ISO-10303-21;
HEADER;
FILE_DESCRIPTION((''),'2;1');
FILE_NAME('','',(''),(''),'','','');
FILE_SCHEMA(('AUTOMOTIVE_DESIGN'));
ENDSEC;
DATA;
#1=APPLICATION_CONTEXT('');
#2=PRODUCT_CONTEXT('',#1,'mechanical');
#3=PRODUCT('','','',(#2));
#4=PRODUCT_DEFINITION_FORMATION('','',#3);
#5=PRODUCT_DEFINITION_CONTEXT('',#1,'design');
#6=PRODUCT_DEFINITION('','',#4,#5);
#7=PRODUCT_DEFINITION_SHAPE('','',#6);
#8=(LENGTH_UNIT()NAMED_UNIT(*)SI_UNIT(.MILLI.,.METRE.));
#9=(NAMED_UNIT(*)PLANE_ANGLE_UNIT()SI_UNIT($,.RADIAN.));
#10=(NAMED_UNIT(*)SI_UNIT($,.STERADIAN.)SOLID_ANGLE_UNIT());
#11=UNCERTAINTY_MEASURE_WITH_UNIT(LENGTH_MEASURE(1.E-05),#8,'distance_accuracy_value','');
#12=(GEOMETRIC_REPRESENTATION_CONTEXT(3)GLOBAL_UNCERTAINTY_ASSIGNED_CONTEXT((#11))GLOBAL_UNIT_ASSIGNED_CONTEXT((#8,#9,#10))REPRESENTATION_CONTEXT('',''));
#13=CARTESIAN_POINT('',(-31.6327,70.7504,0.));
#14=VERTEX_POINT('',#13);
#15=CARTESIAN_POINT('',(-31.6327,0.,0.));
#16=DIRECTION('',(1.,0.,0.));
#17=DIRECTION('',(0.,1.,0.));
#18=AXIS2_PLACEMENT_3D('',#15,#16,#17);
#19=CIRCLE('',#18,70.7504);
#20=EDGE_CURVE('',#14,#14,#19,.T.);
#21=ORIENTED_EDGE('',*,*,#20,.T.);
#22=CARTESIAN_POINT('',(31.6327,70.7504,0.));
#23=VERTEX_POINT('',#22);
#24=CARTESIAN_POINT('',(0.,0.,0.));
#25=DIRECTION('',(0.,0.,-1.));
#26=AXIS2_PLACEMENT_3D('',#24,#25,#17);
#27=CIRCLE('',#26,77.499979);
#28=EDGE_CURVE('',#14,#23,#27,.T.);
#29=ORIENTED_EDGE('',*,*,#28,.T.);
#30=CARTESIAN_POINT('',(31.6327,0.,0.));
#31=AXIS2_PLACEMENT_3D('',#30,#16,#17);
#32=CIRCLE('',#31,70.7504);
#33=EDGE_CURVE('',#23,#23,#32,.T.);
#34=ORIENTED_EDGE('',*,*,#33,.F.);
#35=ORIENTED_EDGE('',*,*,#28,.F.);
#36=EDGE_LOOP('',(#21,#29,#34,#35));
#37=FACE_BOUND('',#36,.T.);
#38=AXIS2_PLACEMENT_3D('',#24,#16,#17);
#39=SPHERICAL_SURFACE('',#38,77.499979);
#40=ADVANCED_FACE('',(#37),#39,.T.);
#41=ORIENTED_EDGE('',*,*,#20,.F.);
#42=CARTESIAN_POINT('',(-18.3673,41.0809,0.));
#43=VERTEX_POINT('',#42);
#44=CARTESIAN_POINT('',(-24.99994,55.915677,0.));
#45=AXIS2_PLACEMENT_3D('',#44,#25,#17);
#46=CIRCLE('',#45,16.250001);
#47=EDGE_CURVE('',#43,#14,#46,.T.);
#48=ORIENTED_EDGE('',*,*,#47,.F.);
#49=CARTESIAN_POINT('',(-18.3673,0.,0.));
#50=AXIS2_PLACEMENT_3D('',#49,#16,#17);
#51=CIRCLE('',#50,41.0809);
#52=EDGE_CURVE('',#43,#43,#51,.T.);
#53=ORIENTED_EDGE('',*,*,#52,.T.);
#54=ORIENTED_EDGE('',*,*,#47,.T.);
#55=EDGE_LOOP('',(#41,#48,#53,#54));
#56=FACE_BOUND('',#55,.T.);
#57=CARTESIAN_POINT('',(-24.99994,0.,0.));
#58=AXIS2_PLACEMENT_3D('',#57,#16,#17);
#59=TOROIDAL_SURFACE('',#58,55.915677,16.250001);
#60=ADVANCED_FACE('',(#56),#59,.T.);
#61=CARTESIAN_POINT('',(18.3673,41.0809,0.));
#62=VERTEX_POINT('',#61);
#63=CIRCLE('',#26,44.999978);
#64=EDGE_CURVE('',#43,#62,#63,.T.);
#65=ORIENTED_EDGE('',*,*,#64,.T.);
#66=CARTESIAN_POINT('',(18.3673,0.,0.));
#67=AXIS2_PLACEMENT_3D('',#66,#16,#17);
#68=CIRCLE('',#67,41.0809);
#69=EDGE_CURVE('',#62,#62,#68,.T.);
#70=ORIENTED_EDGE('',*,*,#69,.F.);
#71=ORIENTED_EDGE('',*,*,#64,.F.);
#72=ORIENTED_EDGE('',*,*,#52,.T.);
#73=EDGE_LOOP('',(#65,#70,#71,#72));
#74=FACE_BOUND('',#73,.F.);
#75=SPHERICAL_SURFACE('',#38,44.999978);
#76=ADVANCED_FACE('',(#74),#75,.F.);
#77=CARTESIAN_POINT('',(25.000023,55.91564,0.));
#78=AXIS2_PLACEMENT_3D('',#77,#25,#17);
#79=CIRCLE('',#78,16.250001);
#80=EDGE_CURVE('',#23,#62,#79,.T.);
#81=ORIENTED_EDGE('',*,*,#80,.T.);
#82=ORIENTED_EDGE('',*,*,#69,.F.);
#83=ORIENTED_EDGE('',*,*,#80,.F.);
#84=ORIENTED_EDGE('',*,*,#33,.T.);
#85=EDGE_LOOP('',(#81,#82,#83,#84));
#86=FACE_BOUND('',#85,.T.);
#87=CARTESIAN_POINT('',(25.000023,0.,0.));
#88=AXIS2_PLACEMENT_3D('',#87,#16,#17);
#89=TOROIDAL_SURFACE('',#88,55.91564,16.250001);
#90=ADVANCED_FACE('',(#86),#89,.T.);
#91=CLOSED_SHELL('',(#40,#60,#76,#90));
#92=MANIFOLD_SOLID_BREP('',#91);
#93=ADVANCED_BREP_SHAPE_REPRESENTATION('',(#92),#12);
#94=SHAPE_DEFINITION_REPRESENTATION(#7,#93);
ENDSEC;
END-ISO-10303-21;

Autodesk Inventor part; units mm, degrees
ref_plane "YZ Plane" through (0, 0, 0) normal (1, 0, 0) x (0, 1, 0)
ref_plane "XZ Plane" through (0, 0, 0) normal (0, 1, 0) x (-1, 0, 0)
ref_plane "XY Plane" through (0, 0, 0) normal (0, 0, 1) x (1, 0, 0)
sketch "Эскиз1" plane through (0, 0, 0) normal (1, 0, 0) x (0, 1, 0)
  circle A0 centre (0, 0) radius 75
  dimension "d0" = 150
sketch "Эскиз2" plane through (0, 0, 0) normal (0, 0, 1) x (1, 0, 0)
  arc A0 (31.6327, 70.7504) -> (-31.6327, 70.7504) centre (0, 0) ccw
  arc A1 (-31.6327, 70.7504) -> (-18.3673, 41.0809) centre (-25, 55.9157) ccw
  arc A2 (18.3673, 41.0809) -> (-18.3673, 41.0809) centre (0, 0) ccw
  line L0 (0, 0) -> (0, 86.1934) construction
  arc A3 (18.3673, 41.0809) -> (31.6327, 70.7504) centre (25, 55.9157) ccw
  line L1 (37.5, 0) -> (37.5, 80.388) construction
  line L2 (-37.5, 80.388) -> (-37.5, 0) construction
  dimension "d1" = 90
  dimension "d2" = 155
  dimension "d3" = 25
  dimension "d4" = 75
sweep "Сдвиг1" add profiles "Эскиз2" path "Эскиз1"
properties part number "КВ33-AN1-01-01-Шина"
